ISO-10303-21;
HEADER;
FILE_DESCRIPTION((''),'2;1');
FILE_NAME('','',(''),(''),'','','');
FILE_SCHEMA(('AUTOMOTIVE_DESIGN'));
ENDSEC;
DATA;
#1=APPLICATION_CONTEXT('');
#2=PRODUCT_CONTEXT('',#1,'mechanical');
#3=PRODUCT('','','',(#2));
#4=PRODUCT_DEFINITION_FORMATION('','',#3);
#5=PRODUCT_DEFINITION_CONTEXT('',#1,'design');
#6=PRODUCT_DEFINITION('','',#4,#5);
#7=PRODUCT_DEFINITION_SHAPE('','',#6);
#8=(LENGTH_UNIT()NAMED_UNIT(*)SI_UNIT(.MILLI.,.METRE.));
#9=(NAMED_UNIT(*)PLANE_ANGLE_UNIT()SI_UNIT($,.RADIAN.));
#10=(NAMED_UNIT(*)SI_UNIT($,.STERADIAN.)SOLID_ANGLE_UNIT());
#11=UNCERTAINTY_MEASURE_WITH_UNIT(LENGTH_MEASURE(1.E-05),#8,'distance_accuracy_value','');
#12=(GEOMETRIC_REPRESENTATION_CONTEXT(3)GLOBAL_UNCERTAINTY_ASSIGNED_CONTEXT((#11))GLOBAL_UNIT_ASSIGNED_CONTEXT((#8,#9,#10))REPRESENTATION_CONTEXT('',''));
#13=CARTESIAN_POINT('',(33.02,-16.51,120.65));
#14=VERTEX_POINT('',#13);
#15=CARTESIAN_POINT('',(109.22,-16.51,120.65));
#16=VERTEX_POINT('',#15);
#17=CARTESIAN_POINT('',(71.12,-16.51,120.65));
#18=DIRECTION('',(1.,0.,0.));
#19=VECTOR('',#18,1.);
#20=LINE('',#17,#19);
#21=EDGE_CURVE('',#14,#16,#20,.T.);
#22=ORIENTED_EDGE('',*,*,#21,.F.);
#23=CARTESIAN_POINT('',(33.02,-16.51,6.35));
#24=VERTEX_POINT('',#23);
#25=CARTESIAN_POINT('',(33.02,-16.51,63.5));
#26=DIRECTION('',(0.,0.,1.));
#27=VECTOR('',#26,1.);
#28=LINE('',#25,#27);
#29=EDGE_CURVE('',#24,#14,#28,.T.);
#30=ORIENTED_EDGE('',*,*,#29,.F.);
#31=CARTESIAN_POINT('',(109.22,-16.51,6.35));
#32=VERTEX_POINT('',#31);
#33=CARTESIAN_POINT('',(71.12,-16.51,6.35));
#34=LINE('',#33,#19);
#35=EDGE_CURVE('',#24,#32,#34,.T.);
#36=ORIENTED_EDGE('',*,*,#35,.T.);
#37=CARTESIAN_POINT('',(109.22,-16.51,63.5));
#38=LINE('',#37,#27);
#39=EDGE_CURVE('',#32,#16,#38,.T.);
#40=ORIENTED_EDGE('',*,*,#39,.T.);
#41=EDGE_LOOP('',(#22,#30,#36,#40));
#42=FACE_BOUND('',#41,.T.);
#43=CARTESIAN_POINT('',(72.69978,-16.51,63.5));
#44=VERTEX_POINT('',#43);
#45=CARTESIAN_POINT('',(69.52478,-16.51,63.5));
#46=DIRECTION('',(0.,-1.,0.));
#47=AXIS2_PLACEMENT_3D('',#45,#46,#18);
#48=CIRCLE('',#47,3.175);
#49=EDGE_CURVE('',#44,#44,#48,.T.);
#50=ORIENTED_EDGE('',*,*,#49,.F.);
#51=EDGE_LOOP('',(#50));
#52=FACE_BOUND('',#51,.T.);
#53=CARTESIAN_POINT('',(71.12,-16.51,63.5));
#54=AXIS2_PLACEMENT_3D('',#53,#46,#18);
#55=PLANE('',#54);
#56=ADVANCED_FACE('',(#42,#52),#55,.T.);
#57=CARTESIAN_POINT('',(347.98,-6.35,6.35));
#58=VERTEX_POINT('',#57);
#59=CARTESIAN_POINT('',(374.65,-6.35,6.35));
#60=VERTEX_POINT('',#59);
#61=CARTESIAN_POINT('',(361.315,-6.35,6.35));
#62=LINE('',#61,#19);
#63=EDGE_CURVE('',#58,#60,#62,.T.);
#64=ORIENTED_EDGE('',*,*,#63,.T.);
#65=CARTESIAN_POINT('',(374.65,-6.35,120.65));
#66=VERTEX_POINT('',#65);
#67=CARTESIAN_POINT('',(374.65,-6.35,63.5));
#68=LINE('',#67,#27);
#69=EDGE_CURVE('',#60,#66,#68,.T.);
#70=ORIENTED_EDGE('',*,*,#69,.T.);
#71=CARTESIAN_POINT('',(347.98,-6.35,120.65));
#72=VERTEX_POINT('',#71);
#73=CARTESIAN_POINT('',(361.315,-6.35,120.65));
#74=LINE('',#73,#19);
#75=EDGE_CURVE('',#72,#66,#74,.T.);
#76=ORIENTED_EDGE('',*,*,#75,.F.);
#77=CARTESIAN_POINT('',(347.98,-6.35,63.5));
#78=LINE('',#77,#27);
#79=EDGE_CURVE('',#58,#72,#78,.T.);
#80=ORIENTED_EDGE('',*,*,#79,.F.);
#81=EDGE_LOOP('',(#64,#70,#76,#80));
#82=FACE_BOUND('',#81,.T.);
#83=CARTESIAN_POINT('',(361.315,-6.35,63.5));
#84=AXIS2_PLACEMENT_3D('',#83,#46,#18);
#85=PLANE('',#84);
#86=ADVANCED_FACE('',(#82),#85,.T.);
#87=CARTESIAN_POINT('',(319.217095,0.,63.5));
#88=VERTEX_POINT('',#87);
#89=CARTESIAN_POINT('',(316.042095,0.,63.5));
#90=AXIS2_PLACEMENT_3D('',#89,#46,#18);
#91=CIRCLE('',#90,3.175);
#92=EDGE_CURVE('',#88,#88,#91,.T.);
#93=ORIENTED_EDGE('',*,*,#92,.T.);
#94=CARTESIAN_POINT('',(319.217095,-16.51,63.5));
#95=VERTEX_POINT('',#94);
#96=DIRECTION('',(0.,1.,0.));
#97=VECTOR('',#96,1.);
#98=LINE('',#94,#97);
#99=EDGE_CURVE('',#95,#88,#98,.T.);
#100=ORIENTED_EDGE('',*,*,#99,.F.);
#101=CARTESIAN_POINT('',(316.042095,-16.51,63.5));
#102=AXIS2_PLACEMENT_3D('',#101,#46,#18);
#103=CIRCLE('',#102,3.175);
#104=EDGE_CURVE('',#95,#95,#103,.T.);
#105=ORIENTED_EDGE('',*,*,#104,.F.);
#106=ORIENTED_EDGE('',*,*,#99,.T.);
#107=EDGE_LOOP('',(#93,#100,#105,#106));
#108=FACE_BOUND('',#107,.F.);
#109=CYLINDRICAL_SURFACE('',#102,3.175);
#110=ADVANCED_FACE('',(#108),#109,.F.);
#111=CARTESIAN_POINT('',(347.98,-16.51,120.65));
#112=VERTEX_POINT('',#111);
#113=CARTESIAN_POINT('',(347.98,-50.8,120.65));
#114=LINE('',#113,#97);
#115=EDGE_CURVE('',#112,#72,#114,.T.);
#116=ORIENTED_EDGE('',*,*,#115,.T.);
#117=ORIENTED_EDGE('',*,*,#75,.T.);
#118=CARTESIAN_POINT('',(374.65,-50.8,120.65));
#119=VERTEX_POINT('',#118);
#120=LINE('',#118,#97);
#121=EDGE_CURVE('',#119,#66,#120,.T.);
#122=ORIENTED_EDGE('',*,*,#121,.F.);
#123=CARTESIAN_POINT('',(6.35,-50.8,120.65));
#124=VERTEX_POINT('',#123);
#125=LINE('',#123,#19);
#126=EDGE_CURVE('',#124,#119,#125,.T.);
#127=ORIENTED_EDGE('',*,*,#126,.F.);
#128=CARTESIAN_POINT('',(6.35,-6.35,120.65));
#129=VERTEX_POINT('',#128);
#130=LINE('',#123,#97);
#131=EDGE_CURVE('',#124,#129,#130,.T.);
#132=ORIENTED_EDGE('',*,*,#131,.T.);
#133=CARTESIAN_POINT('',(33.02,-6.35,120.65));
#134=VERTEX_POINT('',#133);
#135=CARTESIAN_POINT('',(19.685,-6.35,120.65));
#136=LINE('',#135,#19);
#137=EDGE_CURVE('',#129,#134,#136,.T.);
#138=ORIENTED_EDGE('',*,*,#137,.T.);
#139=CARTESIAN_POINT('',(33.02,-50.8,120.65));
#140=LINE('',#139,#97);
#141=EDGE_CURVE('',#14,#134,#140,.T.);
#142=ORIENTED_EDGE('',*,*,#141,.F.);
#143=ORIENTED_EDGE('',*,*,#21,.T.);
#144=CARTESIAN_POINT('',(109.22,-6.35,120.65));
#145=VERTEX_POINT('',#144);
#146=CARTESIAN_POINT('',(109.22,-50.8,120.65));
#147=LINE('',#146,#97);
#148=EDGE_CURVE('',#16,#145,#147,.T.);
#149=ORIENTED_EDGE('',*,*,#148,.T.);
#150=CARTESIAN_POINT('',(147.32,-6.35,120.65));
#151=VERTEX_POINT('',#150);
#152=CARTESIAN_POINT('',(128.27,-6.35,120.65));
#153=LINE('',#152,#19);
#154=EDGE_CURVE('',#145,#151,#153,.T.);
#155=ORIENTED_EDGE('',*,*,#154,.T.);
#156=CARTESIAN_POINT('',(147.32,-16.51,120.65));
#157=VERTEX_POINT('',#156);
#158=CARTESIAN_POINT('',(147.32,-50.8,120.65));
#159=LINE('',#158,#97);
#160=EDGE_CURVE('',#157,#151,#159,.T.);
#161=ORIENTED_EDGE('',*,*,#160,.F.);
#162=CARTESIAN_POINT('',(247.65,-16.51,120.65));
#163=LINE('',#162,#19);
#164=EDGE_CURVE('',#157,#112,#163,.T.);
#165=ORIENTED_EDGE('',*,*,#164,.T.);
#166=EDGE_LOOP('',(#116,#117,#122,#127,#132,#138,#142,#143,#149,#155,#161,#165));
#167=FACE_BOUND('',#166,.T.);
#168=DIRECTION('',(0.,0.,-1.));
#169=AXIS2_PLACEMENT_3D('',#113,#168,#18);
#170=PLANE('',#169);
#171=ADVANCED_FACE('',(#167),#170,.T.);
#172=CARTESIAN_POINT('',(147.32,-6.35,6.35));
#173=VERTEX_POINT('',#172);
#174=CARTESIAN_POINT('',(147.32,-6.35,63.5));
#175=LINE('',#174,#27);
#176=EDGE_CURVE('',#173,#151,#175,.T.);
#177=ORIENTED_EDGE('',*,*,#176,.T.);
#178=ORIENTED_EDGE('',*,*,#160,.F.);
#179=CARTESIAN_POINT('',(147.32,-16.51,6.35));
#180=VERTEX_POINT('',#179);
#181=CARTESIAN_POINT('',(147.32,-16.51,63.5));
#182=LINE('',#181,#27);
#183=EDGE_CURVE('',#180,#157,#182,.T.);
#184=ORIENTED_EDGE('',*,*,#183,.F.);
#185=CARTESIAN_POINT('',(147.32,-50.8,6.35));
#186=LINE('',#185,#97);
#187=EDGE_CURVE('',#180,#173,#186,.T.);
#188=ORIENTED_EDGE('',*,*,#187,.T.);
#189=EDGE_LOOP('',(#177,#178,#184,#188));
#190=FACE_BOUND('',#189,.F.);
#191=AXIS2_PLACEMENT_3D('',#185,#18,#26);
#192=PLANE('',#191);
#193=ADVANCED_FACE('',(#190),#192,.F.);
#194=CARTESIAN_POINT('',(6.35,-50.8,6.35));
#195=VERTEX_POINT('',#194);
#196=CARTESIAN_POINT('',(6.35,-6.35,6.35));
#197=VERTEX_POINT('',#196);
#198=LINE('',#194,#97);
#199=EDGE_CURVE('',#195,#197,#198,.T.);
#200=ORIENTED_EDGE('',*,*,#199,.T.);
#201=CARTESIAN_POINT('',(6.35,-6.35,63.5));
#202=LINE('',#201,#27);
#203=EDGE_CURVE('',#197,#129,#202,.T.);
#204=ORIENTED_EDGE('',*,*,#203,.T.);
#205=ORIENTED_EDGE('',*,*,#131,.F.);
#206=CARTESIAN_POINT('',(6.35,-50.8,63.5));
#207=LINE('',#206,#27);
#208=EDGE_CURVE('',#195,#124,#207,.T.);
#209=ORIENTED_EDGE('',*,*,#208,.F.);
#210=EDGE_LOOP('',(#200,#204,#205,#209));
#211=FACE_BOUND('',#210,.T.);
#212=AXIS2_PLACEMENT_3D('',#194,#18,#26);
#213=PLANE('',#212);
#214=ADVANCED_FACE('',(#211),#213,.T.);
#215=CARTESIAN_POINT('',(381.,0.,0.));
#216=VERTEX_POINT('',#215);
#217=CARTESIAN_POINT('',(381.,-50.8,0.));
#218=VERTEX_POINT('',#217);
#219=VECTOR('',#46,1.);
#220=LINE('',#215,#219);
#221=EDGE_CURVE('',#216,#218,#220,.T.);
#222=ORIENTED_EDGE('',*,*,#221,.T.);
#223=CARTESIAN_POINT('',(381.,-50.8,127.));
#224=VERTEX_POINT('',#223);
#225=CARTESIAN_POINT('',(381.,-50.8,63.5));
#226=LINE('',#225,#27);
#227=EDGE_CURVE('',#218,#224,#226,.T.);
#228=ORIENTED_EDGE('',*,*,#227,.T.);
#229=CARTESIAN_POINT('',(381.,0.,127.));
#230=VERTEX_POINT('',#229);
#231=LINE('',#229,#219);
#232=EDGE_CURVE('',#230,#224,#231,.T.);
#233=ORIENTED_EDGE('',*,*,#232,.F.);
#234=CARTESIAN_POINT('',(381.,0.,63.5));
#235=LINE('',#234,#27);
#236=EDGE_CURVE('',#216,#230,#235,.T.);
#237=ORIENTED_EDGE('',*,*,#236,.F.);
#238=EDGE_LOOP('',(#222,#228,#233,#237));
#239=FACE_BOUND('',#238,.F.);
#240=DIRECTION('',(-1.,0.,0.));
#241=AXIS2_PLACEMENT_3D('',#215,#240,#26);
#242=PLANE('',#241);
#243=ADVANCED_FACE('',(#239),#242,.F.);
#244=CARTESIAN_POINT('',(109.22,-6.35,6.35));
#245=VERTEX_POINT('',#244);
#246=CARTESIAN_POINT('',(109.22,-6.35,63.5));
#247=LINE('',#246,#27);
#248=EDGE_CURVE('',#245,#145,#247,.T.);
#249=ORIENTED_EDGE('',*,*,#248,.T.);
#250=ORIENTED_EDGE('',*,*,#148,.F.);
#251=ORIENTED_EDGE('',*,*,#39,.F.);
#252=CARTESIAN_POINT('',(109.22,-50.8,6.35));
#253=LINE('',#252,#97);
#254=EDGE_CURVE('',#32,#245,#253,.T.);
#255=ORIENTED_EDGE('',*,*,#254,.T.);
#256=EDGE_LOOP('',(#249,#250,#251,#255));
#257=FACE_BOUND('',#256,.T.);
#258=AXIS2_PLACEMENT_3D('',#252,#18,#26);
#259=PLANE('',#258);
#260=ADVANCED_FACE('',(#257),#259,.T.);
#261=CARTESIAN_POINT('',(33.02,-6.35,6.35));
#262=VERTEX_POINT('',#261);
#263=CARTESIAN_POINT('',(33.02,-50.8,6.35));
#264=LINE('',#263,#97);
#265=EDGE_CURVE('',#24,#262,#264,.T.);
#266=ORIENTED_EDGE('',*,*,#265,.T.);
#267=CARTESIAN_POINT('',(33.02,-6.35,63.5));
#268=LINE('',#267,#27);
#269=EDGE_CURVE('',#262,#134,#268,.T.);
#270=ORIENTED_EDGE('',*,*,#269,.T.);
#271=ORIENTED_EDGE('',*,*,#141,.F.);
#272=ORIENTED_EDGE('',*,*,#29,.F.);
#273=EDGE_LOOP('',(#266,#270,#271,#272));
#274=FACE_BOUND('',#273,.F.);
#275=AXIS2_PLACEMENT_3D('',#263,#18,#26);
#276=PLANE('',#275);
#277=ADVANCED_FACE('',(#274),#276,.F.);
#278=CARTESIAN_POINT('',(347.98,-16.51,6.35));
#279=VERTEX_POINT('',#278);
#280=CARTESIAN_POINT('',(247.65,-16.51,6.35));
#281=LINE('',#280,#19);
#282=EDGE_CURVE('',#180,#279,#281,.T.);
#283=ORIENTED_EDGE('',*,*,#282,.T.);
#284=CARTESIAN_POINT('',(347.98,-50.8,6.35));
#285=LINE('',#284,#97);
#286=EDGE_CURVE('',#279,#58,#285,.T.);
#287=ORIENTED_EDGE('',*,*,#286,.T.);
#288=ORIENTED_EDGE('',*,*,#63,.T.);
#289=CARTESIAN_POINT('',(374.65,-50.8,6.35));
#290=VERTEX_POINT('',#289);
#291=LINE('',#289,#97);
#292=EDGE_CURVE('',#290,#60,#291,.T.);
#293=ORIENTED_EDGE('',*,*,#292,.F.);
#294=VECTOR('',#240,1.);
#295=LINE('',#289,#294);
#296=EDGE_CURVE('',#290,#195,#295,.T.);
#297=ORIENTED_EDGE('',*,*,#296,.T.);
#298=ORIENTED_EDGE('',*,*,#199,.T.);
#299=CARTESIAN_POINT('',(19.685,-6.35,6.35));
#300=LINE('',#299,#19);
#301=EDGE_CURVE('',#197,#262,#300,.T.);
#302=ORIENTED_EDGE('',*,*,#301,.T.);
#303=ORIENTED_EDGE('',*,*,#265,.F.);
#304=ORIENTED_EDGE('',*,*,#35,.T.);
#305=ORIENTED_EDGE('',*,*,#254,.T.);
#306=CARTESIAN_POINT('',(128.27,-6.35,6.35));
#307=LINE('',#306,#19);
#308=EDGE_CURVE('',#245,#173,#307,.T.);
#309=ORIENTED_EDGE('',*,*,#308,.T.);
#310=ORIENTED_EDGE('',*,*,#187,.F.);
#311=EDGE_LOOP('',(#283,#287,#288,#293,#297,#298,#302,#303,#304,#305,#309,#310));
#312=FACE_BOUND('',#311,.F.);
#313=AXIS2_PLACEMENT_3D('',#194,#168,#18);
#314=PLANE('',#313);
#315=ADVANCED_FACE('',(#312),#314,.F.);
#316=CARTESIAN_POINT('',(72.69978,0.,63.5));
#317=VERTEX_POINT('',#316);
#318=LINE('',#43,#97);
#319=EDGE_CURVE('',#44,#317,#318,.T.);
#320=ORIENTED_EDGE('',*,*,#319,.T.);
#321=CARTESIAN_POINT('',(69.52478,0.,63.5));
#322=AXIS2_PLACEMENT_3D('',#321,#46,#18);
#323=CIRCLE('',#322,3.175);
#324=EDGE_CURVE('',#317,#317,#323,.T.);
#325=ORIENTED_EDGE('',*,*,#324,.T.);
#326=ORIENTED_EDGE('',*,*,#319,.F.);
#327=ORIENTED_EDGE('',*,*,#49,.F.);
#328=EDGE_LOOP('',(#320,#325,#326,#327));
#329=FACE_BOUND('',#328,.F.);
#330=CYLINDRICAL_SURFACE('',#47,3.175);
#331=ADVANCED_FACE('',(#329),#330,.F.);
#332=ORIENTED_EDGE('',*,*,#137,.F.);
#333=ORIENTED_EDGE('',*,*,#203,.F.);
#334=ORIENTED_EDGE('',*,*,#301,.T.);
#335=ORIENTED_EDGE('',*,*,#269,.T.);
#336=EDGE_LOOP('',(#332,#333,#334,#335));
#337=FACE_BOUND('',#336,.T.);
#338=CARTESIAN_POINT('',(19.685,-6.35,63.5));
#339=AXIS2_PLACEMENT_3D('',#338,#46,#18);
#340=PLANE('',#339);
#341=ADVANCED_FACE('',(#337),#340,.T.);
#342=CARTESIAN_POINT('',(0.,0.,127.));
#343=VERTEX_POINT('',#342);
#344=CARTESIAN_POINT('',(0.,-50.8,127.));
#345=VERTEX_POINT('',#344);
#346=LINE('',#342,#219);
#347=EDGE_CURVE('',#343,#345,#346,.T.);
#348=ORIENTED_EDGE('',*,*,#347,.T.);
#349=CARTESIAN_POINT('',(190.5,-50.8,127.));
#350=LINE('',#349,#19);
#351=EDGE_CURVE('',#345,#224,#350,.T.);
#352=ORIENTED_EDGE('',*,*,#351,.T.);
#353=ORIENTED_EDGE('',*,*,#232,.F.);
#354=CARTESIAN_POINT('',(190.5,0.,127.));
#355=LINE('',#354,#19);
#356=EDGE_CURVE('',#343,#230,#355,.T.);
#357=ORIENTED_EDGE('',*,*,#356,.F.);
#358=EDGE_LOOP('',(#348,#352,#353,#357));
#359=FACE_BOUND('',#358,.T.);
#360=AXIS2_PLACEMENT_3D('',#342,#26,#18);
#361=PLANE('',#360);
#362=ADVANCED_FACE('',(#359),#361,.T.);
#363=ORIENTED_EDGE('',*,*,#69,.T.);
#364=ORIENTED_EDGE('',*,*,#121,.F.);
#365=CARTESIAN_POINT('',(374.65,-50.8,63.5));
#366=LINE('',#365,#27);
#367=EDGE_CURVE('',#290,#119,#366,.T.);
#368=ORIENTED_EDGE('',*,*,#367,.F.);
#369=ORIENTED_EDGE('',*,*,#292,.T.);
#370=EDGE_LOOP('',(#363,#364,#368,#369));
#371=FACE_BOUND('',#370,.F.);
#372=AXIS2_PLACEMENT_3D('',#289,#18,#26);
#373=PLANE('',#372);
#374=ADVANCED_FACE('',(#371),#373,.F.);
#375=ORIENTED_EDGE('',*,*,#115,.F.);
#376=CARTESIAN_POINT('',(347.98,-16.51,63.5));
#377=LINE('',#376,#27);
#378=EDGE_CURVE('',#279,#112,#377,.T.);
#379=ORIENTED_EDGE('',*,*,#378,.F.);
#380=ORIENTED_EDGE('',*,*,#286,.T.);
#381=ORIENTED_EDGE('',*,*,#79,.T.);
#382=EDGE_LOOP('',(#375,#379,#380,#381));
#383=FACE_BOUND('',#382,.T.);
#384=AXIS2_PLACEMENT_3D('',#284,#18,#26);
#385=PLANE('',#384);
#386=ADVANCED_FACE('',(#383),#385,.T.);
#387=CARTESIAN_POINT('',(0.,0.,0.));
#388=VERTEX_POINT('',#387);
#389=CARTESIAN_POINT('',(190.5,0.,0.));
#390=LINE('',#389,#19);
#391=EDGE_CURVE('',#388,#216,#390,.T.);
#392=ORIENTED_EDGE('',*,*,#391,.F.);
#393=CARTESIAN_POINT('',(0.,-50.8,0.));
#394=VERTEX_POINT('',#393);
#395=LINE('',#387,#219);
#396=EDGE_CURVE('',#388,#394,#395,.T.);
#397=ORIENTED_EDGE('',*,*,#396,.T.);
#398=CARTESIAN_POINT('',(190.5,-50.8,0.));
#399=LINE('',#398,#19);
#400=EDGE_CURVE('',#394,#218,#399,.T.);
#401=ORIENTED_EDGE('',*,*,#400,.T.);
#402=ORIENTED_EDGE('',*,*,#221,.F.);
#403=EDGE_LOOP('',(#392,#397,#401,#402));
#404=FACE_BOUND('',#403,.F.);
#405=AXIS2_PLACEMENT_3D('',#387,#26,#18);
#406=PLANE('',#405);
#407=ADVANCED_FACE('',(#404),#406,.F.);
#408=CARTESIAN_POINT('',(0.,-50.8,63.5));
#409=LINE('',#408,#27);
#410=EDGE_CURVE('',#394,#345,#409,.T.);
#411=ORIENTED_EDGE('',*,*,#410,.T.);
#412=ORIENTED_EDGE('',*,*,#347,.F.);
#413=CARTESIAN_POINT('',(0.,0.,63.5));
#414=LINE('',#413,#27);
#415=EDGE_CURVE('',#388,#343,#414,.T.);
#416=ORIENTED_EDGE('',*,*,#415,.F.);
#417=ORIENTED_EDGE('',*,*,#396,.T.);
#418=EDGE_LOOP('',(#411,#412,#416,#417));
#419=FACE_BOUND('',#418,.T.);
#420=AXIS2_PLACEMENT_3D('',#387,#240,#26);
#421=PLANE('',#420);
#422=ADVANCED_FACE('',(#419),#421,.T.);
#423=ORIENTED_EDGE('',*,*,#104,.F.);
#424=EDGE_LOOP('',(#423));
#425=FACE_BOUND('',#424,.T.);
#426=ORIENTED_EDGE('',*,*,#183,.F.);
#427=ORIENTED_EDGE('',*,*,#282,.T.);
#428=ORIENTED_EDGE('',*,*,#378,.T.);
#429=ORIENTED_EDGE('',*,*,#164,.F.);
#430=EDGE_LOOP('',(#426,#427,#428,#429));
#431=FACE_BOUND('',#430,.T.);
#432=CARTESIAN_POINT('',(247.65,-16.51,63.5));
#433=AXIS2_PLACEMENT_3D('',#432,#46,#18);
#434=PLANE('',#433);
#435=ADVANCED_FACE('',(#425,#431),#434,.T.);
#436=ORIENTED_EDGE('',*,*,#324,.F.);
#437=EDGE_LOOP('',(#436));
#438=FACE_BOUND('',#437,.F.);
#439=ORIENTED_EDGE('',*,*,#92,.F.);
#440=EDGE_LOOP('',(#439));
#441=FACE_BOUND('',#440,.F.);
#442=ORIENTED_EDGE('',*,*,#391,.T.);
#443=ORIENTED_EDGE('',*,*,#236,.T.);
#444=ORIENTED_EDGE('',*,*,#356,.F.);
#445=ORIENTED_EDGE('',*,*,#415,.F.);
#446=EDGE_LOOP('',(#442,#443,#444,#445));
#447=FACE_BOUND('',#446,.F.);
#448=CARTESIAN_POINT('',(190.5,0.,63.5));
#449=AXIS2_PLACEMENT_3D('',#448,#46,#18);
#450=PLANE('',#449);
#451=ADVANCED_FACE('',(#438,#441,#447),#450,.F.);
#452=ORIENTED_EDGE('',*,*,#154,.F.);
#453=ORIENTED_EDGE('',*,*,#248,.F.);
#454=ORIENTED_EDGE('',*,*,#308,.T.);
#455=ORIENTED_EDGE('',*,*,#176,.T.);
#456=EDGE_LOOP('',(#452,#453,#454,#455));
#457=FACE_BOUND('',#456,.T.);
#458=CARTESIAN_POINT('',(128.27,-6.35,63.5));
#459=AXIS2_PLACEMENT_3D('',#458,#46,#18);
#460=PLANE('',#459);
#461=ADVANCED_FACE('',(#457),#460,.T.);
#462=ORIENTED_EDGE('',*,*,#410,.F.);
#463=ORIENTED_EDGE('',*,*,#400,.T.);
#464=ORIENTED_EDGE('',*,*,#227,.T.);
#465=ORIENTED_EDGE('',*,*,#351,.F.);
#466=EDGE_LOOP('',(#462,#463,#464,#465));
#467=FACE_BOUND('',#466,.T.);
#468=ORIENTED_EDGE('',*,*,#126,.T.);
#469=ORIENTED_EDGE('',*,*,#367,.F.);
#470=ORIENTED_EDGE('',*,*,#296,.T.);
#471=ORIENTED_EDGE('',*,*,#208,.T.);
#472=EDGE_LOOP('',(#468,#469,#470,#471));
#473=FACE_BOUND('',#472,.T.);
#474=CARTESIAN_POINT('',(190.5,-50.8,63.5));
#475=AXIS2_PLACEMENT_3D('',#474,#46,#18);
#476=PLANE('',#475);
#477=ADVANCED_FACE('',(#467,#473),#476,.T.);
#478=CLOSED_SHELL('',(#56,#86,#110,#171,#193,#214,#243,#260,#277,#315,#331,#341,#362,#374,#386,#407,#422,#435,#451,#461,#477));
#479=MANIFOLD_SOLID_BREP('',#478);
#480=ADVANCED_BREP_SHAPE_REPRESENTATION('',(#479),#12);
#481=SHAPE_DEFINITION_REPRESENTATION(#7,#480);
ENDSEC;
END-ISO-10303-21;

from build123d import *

# Parameters (mm, degrees)
F0_W     = 381
F0_H     = 127
F1_DEPTH = 50.8
F2_W     = 26.67
F2_H     = 114.3
F2_W_2   = 38.1
F3_DEPTH = 44.45
F4_W     = 76.2
F4_H     = 114.3
F4_W_2   = 200.66
F5_DEPTH = 34.29
F6_R     = 3.175
F7_DEPTH = 16.511


with BuildPart() as f1:
    # F0 (on Front) → F1 (new body)
    with BuildSketch(Plane.XZ):
        with Locations((190.5, 63.5)):
            Rectangle(F0_W, F0_H)
    extrude(amount=F1_DEPTH)

    # F2 (on face) → F3 (cut)
    with BuildSketch(Plane.XZ.offset(50.8)):
        with Locations((19.685, 63.5)):
            Rectangle(F2_W, F2_H)
        with Locations((128.27, 63.5)):
            Rectangle(F2_W_2, F2_H)
        with Locations((361.315, 63.5)):
            Rectangle(F2_W, F2_H)
    extrude(amount=-F3_DEPTH, mode=Mode.SUBTRACT)

    # F4 (on face) → F5 (cut)
    with BuildSketch(Plane.XZ.offset(50.8)):
        with Locations((71.12, 63.5)):
            Rectangle(F4_W, F4_H)
        with Locations((247.65, 63.5)):
            Rectangle(F4_W_2, F4_H)
    extrude(amount=-F5_DEPTH, mode=Mode.SUBTRACT)

    # F6 (on face) → F7 (cut, through all)
    with BuildSketch(Plane.XZ.offset(16.51)):
        with Locations((69.52478, 63.5)):
            Circle(F6_R)
        with Locations((316.042095, 63.5)):
            Circle(F6_R)
    extrude(amount=-F7_DEPTH, mode=Mode.SUBTRACT)


solid = f1.part
